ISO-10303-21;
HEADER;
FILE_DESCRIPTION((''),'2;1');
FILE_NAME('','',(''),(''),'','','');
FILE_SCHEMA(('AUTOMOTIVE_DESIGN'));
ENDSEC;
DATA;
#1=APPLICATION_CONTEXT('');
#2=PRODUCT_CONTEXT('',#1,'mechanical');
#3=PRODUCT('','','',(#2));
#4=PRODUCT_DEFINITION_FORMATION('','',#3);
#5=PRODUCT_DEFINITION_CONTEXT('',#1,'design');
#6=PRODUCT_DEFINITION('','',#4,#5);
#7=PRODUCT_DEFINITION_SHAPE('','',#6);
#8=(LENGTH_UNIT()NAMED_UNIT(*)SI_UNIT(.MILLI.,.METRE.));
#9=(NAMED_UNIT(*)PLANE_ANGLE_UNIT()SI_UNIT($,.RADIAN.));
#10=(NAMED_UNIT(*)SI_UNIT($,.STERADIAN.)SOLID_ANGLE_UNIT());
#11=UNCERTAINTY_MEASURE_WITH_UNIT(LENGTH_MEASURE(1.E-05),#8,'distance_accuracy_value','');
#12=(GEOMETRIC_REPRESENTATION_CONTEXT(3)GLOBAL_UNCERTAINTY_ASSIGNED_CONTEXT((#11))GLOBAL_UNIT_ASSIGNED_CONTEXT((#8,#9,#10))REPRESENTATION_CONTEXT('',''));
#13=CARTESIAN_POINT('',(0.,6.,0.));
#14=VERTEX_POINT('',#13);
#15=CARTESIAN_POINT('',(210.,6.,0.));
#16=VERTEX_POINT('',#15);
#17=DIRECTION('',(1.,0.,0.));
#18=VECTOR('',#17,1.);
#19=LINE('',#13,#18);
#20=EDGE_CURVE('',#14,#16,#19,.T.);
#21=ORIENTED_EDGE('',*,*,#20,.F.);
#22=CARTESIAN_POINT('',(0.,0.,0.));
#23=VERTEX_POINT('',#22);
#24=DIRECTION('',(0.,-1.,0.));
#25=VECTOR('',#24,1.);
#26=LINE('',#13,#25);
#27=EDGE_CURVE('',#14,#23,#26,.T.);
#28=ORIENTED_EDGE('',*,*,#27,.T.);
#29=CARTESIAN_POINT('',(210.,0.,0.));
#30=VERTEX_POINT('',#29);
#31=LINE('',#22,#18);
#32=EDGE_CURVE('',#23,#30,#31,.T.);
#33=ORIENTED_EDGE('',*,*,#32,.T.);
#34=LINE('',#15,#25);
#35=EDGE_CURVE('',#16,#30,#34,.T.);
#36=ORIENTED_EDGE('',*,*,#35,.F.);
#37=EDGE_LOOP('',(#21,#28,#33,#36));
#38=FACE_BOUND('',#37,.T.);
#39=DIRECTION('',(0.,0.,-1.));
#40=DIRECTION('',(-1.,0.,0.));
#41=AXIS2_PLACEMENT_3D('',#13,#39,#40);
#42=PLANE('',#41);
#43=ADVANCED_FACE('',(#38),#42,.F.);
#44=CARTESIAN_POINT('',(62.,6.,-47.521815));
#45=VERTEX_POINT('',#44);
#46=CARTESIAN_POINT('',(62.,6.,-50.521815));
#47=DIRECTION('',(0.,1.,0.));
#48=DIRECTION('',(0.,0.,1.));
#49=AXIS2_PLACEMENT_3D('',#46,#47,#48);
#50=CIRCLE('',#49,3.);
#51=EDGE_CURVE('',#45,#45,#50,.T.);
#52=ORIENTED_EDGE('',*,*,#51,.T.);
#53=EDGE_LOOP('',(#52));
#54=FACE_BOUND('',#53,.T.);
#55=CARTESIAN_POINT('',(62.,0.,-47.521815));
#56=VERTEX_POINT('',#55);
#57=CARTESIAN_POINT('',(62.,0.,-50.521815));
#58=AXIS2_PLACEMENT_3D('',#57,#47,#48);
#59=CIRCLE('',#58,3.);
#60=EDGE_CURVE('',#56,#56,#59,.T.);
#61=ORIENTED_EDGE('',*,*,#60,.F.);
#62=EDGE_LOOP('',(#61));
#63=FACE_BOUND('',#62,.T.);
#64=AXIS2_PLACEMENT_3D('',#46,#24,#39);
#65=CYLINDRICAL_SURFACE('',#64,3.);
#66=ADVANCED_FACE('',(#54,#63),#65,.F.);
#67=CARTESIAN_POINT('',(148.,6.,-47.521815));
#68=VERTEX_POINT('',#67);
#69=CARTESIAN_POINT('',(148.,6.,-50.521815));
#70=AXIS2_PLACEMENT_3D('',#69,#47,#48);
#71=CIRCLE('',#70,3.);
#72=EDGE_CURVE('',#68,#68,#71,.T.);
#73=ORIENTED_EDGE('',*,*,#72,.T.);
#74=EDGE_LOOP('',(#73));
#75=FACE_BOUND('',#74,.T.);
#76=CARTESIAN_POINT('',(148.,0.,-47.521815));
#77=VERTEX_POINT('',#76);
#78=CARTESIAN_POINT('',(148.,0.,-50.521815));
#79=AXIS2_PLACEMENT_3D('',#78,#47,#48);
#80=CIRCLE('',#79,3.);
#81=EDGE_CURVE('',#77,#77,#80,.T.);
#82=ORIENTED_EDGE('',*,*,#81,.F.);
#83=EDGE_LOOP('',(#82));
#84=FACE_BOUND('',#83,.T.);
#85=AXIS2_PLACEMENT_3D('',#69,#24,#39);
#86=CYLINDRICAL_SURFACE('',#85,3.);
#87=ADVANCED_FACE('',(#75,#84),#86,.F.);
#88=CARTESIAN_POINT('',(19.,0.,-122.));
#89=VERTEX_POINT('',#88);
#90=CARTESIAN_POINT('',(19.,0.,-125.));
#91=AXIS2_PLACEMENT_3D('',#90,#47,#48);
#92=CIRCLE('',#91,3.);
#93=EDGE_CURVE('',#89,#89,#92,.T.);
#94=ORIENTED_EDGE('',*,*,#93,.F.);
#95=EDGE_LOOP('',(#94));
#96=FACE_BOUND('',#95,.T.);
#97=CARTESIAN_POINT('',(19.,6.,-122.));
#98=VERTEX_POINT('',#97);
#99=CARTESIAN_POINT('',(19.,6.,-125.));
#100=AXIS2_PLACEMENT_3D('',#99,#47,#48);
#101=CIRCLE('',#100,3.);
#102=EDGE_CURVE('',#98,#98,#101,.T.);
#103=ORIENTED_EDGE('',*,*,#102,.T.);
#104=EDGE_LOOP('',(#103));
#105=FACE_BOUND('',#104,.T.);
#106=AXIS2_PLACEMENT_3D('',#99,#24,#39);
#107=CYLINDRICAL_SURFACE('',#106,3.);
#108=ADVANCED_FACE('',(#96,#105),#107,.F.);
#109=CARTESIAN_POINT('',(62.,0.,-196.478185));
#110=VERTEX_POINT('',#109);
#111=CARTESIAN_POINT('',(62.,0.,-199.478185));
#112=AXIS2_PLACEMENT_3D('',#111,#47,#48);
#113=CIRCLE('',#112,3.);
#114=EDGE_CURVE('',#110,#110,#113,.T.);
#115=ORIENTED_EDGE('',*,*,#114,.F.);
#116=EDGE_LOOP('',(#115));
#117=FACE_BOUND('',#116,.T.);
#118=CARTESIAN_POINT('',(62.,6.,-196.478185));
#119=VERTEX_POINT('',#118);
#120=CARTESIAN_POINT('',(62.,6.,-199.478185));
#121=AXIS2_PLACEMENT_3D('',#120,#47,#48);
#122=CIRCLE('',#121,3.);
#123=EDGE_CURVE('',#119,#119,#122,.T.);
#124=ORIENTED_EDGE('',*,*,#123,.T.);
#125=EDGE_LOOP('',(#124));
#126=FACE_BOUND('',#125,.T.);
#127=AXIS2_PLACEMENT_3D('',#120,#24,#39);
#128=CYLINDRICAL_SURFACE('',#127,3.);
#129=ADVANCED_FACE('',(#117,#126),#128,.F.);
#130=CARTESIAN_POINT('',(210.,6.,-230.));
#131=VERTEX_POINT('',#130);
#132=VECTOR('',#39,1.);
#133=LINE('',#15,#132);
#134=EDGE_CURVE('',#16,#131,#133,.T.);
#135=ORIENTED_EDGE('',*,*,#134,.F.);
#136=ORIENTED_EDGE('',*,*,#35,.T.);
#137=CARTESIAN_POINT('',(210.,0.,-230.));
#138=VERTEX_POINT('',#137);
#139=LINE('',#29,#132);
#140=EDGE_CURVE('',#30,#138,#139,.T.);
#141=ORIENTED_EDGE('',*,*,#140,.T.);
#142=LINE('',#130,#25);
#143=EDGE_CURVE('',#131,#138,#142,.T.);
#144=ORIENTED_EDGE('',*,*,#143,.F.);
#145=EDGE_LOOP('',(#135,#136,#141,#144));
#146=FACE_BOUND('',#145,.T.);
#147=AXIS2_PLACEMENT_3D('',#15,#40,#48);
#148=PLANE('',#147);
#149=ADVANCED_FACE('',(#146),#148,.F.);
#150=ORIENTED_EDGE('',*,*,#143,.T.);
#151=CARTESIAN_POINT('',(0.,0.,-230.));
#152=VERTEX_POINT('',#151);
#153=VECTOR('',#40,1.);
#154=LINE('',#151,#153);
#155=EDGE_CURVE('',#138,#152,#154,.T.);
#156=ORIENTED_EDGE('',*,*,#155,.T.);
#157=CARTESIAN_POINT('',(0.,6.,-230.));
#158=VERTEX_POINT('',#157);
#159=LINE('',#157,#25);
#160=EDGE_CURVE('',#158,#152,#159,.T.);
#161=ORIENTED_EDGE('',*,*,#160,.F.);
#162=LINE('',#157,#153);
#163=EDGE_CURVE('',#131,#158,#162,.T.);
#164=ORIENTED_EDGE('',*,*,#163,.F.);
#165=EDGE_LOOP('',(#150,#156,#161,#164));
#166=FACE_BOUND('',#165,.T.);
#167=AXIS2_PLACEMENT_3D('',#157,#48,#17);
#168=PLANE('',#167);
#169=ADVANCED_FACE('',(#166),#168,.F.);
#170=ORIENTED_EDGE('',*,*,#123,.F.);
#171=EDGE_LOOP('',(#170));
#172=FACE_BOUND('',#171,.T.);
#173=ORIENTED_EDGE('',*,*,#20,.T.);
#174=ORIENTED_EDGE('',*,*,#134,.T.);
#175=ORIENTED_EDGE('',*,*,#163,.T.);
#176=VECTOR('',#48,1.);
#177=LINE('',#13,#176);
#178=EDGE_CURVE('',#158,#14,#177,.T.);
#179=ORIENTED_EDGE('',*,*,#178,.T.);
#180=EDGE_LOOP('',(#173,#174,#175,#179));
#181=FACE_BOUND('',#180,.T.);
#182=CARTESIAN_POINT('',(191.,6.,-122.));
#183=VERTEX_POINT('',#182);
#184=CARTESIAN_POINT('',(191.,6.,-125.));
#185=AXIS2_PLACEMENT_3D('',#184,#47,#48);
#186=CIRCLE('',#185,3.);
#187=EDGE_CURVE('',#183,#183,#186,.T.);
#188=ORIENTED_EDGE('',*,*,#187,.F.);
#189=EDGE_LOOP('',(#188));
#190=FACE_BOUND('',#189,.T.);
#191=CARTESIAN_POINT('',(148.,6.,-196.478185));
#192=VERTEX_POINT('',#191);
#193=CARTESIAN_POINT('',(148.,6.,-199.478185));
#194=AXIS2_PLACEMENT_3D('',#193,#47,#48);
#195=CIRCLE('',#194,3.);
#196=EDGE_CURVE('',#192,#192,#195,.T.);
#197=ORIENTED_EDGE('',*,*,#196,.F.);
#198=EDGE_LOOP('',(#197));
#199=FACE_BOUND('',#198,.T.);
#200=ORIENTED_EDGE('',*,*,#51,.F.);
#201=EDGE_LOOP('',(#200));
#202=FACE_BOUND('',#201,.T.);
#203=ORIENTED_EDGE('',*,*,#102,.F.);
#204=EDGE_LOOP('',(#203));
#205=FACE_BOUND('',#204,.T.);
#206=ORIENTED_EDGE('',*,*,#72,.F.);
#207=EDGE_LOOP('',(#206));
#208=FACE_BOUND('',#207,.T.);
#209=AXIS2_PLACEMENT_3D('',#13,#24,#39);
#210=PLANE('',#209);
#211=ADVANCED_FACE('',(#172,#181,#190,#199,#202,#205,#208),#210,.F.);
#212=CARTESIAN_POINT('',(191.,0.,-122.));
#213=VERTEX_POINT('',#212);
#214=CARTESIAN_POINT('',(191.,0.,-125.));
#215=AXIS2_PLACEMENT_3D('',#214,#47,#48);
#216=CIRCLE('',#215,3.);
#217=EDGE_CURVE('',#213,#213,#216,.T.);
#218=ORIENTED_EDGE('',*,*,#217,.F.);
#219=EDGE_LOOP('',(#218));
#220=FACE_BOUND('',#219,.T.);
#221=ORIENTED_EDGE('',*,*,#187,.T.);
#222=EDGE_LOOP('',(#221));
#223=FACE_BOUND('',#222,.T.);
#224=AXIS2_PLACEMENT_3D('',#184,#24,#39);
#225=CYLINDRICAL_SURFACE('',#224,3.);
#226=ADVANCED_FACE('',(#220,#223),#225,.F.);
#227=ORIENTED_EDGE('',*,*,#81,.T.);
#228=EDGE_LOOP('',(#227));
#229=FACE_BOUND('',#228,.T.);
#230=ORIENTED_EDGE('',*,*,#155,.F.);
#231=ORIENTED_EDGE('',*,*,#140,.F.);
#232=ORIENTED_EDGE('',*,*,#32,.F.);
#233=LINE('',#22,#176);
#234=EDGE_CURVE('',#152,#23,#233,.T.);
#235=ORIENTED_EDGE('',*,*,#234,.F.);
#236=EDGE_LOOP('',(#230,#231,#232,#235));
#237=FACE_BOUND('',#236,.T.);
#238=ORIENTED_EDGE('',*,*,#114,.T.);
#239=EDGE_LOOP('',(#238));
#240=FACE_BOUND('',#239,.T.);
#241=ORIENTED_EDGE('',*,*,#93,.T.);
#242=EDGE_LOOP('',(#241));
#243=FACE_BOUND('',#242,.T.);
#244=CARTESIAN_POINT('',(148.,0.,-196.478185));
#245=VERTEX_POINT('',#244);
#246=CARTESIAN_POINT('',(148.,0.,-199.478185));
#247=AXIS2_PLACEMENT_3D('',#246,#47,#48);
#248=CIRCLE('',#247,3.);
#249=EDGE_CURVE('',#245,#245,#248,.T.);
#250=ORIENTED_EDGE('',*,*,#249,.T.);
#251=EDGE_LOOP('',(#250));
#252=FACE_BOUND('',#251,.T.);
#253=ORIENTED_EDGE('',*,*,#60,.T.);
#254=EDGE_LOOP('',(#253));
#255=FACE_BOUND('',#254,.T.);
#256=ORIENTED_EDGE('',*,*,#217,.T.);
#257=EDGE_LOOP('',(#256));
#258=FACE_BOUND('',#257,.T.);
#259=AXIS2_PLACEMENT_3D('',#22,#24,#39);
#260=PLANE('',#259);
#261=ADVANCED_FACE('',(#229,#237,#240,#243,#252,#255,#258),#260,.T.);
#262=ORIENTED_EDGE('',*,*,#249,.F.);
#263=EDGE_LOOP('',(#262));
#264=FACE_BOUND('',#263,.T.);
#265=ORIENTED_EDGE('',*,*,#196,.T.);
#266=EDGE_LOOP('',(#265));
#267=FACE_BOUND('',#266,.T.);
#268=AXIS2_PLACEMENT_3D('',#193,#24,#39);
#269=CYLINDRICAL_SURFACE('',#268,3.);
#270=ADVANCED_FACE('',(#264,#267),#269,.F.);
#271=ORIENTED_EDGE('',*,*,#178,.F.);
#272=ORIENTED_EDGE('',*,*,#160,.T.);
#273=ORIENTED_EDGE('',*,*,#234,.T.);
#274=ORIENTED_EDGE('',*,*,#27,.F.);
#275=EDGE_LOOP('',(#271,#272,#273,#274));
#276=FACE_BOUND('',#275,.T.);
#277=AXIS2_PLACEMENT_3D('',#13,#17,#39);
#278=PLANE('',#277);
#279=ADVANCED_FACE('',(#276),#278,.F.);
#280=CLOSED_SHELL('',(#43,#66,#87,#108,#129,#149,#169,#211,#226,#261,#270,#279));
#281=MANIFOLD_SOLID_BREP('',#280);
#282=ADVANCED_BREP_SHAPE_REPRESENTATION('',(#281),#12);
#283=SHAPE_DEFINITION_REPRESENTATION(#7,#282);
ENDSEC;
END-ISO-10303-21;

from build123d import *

# Parameters (mm, degrees)
SKETCH1_W           = 210
SKETCH1_H           = 230
SKETCH1_R           = 3
BOSS_EXTRUDE1_DEPTH = 6


with BuildPart() as part:
    # Sketch1 → Boss-Extrude1 (new body)
    with BuildSketch(Plane(origin=(0, 0, 0), x_dir=(1, 0, 0), z_dir=(0, 1, 0))):
        with Locations((105, 115)):
            Rectangle(SKETCH1_W, SKETCH1_H)
        with Locations(Location((62, 199.478184725, 0), (0, 0, 270))):
            Circle(SKETCH1_R, mode=Mode.SUBTRACT)
        with Locations(Location((148, 199.478184725, 0), (0, 0, 270))):
            Circle(SKETCH1_R, mode=Mode.SUBTRACT)
        with Locations(Location((191, 125, 0), (0, 0, 270))):
            Circle(SKETCH1_R, mode=Mode.SUBTRACT)
        with Locations(Location((148, 50.521815275, 0), (0, 0, 270))):
            Circle(SKETCH1_R, mode=Mode.SUBTRACT)
        with Locations(Location((62, 50.521815275, 0), (0, 0, 270))):
            Circle(SKETCH1_R, mode=Mode.SUBTRACT)
        with Locations(Location((19, 125, 0), (0, 0, 270))):
            Circle(SKETCH1_R, mode=Mode.SUBTRACT)
    extrude(amount=BOSS_EXTRUDE1_DEPTH)


solid = part.part
